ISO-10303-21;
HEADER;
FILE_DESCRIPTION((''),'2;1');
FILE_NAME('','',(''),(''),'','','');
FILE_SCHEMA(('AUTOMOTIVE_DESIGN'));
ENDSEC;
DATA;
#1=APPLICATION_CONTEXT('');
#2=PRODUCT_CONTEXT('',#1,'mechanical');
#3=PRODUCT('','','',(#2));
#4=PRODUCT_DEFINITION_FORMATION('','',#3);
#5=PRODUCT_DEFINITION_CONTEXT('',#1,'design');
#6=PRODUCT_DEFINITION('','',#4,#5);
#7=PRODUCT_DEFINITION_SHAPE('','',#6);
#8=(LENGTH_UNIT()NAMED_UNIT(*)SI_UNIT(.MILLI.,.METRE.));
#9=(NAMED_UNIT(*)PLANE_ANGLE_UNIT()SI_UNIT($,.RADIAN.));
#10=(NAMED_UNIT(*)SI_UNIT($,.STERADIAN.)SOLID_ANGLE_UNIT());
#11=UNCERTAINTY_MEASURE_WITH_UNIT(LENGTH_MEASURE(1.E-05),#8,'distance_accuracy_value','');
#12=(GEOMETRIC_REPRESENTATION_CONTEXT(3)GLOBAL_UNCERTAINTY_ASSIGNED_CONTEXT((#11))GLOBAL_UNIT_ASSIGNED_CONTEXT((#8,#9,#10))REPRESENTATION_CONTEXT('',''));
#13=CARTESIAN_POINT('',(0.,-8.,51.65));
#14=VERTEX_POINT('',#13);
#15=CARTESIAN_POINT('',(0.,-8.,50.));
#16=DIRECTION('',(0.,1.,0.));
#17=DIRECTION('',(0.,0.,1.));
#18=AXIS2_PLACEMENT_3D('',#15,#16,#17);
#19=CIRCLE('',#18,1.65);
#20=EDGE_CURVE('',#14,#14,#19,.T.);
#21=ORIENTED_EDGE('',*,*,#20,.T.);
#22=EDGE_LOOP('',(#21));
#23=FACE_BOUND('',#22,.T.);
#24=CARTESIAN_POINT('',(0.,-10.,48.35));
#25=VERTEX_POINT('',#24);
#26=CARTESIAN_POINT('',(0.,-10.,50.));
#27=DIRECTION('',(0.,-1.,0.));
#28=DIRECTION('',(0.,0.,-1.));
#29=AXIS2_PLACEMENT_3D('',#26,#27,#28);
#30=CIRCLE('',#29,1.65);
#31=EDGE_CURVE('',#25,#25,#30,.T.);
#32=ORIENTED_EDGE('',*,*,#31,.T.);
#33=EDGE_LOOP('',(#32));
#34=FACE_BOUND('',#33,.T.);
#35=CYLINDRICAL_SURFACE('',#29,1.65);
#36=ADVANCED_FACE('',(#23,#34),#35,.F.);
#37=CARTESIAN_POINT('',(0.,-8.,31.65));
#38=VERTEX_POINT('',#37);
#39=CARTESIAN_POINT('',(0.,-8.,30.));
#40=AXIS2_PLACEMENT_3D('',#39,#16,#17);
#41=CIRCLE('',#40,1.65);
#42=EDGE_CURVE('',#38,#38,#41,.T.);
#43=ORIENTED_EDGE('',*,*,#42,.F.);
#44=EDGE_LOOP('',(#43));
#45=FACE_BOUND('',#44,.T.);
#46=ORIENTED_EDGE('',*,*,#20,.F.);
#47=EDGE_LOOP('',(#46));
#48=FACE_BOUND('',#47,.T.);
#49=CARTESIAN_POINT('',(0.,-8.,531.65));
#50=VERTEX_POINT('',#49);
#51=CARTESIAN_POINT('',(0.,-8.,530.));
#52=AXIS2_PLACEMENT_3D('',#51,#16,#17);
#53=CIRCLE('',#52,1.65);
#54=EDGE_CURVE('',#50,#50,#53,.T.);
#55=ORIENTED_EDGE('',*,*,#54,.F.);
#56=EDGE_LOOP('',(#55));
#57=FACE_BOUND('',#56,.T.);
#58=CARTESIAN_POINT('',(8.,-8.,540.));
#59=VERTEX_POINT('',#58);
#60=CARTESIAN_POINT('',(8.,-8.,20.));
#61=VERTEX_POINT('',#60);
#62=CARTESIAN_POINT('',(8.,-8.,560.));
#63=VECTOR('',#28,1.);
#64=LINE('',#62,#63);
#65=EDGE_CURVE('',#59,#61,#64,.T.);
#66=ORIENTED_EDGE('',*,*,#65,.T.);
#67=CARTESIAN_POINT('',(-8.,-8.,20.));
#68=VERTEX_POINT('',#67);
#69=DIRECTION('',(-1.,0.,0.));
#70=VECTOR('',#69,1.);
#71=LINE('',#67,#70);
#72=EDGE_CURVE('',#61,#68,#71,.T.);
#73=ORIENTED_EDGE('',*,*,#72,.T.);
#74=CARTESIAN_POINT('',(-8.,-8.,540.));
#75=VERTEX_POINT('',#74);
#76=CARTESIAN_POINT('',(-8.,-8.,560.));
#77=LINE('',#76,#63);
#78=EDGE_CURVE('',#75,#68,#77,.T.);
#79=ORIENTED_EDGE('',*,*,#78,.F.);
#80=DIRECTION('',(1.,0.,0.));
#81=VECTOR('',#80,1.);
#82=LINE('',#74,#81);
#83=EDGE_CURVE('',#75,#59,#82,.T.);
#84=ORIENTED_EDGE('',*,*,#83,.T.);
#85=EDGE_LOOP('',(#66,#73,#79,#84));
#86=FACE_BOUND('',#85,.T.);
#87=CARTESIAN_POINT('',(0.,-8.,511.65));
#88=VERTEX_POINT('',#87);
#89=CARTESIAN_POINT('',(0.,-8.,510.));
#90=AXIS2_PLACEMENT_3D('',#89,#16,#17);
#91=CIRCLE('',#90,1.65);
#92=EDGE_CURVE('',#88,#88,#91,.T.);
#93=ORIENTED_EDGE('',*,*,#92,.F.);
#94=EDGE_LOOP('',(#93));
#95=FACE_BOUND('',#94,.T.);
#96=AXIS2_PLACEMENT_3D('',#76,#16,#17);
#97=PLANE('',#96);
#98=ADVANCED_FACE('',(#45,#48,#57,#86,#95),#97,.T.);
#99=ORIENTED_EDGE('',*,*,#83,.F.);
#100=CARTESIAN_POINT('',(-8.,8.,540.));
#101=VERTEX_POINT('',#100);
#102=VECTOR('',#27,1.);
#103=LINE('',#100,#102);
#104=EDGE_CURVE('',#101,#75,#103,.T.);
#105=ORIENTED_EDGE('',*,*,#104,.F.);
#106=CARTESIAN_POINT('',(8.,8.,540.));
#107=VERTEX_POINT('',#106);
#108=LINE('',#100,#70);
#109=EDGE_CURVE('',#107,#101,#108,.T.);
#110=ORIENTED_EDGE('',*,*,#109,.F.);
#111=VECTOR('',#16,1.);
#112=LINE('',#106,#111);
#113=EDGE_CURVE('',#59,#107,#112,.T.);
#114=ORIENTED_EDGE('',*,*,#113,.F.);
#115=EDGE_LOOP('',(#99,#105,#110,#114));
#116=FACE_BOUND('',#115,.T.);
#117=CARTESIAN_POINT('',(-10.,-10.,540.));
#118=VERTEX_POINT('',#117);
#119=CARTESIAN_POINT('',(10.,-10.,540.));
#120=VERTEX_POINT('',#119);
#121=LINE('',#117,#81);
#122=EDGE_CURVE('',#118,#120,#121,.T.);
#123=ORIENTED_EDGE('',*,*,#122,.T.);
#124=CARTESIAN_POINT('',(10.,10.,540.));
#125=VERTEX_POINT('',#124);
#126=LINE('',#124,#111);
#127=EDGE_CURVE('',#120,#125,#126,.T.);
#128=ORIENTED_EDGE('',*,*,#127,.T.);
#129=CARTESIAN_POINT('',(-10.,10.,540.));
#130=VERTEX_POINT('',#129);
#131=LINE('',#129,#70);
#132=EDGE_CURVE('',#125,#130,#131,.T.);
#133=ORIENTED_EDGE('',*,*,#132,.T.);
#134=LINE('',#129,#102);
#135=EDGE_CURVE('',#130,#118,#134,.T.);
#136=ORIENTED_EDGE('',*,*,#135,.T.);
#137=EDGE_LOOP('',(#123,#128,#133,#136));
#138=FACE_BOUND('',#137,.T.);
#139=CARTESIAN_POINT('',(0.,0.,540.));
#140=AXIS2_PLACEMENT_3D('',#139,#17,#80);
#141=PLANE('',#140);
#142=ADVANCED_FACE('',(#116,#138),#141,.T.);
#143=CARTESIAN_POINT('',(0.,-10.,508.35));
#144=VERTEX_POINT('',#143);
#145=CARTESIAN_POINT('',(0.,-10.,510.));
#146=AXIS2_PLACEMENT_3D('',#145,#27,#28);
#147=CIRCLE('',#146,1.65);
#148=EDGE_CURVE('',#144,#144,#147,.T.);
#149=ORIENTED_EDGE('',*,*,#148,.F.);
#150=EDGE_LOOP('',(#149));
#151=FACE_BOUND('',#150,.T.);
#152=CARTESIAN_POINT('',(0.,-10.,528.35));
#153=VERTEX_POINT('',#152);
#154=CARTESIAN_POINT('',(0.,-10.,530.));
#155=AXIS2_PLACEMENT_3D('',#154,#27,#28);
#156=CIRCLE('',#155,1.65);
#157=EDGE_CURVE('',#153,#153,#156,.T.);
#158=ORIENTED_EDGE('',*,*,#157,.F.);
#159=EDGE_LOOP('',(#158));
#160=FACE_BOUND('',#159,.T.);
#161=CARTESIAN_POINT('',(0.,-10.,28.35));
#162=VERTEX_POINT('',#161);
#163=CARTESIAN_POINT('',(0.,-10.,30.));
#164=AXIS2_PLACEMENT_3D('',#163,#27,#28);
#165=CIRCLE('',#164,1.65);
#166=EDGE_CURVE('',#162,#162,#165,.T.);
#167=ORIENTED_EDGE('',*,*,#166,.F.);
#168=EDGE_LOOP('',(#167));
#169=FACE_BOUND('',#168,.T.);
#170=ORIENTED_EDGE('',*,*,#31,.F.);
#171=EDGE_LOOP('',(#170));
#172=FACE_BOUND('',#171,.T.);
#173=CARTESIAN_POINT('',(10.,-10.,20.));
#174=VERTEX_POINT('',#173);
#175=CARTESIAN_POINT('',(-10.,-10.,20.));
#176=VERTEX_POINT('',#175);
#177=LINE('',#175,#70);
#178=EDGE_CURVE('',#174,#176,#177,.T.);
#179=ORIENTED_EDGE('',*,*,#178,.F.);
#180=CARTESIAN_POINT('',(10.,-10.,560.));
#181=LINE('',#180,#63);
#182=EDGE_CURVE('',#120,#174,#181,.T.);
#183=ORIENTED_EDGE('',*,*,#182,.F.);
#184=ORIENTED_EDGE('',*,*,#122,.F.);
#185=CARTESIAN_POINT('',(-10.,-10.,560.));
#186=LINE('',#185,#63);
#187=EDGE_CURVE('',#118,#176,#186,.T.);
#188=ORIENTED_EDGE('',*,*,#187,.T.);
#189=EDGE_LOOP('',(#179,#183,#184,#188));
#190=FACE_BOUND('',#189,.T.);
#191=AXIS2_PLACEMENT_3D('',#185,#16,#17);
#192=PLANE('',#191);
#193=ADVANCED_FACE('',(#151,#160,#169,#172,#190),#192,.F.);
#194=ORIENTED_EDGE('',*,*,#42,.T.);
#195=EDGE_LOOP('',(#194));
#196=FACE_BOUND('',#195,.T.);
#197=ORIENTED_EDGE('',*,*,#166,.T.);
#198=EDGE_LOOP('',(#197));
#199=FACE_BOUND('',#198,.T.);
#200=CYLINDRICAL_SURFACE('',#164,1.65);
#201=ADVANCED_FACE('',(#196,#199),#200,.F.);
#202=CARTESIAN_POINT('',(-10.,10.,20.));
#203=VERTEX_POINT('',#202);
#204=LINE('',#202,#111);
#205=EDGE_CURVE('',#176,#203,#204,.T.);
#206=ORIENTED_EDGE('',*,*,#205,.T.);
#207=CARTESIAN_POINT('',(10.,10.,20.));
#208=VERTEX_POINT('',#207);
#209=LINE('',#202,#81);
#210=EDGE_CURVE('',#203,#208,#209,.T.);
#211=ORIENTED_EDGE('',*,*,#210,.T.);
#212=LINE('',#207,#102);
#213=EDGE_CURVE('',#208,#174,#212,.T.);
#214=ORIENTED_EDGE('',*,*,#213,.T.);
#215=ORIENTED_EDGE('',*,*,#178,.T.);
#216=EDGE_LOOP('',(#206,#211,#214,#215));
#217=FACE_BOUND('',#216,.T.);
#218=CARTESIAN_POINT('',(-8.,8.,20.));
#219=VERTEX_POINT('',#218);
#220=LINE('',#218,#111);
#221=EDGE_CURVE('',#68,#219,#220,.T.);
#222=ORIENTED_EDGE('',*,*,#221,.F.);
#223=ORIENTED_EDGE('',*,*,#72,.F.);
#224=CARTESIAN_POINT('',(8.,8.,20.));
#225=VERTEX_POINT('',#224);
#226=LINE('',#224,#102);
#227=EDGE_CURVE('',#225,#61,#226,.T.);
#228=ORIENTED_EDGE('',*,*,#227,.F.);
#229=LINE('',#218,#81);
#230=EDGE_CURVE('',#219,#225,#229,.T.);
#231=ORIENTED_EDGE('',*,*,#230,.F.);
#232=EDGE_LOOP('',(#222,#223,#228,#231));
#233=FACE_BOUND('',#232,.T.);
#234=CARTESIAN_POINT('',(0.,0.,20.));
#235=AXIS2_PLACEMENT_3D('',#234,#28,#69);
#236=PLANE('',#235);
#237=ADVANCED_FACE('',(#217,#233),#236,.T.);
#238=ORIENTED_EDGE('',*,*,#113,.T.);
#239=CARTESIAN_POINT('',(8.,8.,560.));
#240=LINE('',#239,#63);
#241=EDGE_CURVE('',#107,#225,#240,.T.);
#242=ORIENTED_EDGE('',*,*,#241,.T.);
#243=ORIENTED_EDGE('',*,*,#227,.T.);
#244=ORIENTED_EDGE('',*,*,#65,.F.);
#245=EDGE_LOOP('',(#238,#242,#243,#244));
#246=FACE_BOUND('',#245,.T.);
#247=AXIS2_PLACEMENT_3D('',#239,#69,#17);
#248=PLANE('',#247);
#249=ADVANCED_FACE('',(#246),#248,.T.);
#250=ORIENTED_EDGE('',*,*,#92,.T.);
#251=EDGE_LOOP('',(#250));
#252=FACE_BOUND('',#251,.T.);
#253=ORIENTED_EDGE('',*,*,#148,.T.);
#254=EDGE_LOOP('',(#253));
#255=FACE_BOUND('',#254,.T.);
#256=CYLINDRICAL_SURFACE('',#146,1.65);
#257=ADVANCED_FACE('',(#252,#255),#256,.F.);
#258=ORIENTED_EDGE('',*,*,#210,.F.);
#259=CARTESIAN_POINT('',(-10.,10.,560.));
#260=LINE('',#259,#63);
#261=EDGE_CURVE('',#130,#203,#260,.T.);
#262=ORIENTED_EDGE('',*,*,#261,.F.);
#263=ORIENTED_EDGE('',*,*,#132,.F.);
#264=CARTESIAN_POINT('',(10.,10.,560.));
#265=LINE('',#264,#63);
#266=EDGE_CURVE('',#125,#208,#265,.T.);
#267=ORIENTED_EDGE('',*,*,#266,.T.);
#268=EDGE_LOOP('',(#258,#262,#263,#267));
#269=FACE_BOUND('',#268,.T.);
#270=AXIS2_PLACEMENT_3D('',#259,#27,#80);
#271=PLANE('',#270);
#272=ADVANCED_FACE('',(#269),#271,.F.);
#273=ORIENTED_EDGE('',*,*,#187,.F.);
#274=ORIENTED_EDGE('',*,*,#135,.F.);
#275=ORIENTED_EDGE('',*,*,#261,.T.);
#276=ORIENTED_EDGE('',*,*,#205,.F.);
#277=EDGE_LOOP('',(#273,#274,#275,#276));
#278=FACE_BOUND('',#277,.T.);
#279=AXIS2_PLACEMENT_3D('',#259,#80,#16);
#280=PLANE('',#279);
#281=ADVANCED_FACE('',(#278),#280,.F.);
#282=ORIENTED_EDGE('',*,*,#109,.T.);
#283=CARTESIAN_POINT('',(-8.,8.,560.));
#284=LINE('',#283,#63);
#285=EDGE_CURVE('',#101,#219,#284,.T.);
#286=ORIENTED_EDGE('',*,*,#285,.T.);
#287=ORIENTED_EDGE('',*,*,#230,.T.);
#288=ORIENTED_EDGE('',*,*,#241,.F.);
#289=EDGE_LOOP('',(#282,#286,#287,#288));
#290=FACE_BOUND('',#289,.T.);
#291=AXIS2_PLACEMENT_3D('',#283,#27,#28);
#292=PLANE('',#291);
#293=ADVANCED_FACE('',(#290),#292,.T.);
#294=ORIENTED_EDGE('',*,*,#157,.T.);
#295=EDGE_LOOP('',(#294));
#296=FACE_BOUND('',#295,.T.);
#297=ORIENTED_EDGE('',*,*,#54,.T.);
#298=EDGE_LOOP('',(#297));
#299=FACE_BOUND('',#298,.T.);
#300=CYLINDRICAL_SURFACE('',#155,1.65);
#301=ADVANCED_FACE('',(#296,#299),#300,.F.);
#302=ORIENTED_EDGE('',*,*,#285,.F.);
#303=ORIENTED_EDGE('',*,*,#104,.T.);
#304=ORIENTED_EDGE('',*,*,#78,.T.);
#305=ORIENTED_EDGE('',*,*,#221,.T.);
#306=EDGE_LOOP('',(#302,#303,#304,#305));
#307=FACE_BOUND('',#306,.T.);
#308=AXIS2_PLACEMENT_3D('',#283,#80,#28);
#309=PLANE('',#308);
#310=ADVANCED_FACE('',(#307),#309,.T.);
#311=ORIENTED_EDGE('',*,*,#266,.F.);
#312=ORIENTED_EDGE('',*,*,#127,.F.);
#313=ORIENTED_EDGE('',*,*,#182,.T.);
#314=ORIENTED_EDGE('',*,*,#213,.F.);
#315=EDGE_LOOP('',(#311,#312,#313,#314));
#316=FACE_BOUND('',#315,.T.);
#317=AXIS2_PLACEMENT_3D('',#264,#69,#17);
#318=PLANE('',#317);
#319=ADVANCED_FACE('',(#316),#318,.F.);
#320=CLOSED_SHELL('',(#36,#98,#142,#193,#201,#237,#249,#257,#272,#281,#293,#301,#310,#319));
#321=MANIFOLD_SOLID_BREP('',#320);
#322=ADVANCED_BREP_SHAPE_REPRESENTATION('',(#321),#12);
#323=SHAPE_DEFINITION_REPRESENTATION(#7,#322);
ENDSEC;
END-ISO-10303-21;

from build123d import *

# Parameters (mm, degrees)
SKETCH_1_W          = 20
SKETCH_1_H          = 20
SKETCH_1_W_2        = 16
SKETCH_1_H_2        = 16
EXTRUDE_1_DEPTH     = 560
SKETCH_4_R          = 2.2
CUT_EXTRUDE_3_DEPTH = 560
SKETCH_5_W          = 20
SKETCH_5_H          = 20
SKETCH_5_W_2        = 16
SKETCH_5_H_2        = 16
EXTRUDE_2_DEPTH     = 20
SKETCH_6_W          = 20
SKETCH_6_H          = 20
SKETCH_6_W_2        = 16
SKETCH_6_H_2        = 16
EXTRUDE_3_DEPTH     = 20
SKETCH_8_R          = 2.2
CUT_EXTRUDE_4_DEPTH = 20
SKETCH_9_R          = 2.2
CUT_EXTRUDE_5_DEPTH = 20
SKETCH_10_W         = 51.42245882
SKETCH_10_H         = 30.440795882
CUT_EXTRUDE_6_DEPTH = 40
SKETCH_11_W         = 39.362638682
SKETCH_11_H         = 52.74733359
CUT_EXTRUDE_7_DEPTH = 40
SKETCH_12_R         = 1
CUT_EXTRUDE_8_DEPTH = 10
SKETCH_13_R         = 1
CUT_EXTRUDE_9_DEPTH = 10
M4X0_7_1_D          = 3.3
M4X0_7_1_DEPTH      = 11.5
M4X0_7_1_TIP        = 0.991420021


with BuildPart() as part:
    # ｽｹｯﾁ1 → ﾎﾞｽ - 押し出し1 (new body)
    with BuildSketch(Plane.XY):
        Rectangle(SKETCH_1_W, SKETCH_1_H)
        Rectangle(SKETCH_1_W_2, SKETCH_1_H_2, mode=Mode.SUBTRACT)
    extrude(amount=EXTRUDE_1_DEPTH)

    # ｽｹｯﾁ4 → ｶｯﾄ - 押し出し3 (cut)
    with BuildSketch(Plane(origin=(0, 10, 0), x_dir=(1, 0, 0), z_dir=(0, 1, 0))):
        with Locations((0, -550)):
            Circle(SKETCH_4_R)
        with Locations((0, -10)):
            Circle(SKETCH_4_R)
    extrude(amount=-CUT_EXTRUDE_3_DEPTH, mode=Mode.SUBTRACT)

    # ｽｹｯﾁ5 → ﾎﾞｽ - 押し出し2 (add)
    with BuildSketch(Plane(origin=(0, 0, 0), x_dir=(-1, 0, 0), z_dir=(0, 0, -1))):
        Rectangle(SKETCH_5_W, SKETCH_5_H)
        Rectangle(SKETCH_5_W_2, SKETCH_5_H_2, mode=Mode.SUBTRACT)
    extrude(amount=EXTRUDE_2_DEPTH)

    # ｽｹｯﾁ6 → ﾎﾞｽ - 押し出し3 (add)
    with BuildSketch(Plane.XY.offset(560)):
        Rectangle(SKETCH_6_W, SKETCH_6_H)
        Rectangle(SKETCH_6_W_2, SKETCH_6_H_2, mode=Mode.SUBTRACT)
    extrude(amount=EXTRUDE_3_DEPTH)

    # ｽｹｯﾁ8 → ｶｯﾄ - 押し出し4 (cut)
    with BuildSketch(Plane(origin=(10, 0, 0), x_dir=(0, 0, -1), z_dir=(1, 0, 0))):
        with Locations((-570, 0)):
            Circle(SKETCH_8_R)
    extrude(amount=-CUT_EXTRUDE_4_DEPTH, mode=Mode.SUBTRACT)

    # ｽｹｯﾁ9 → ｶｯﾄ - 押し出し5 (cut)
    with BuildSketch(Plane(origin=(10, 0, 0), x_dir=(0, 0, -1), z_dir=(1, 0, 0))):
        with Locations((10, 0)):
            Circle(SKETCH_9_R)
    extrude(amount=-CUT_EXTRUDE_5_DEPTH, mode=Mode.SUBTRACT)

    # ｽｹｯﾁ10 → ｶｯﾄ - 押し出し6 (cut)
    with BuildSketch(Plane(origin=(0, 0, -20), x_dir=(-1, 0, 0), z_dir=(0, 0, -1))):
        Rectangle(SKETCH_10_W, SKETCH_10_H)
    extrude(amount=-CUT_EXTRUDE_6_DEPTH, mode=Mode.SUBTRACT)

    # ｽｹｯﾁ11 → ｶｯﾄ - 押し出し7 (cut)
    with BuildSketch(Plane.XY.offset(580)):
        Rectangle(SKETCH_11_W, SKETCH_11_H)
    extrude(amount=-CUT_EXTRUDE_7_DEPTH, mode=Mode.SUBTRACT)

    # ｽｹｯﾁ12 → ｶｯﾄ - 押し出し8 (cut)
    with BuildSketch(Plane(origin=(0, -10, 0), x_dir=(-1, 0, 0), z_dir=(0, -1, 0))):
        with Locations((0, -530)):
            Circle(SKETCH_12_R)
        with Locations((0, -510)):
            Circle(SKETCH_12_R)
    extrude(amount=-CUT_EXTRUDE_8_DEPTH, mode=Mode.SUBTRACT)

    # ｽｹｯﾁ13 → ｶｯﾄ - 押し出し9 (cut)
    with BuildSketch(Plane(origin=(0, -10, 0), x_dir=(-1, 0, 0), z_dir=(0, -1, 0))):
        with Locations((0, -30)):
            Circle(SKETCH_13_R)
        with Locations((0, -50)):
            Circle(SKETCH_13_R)
    extrude(amount=-CUT_EXTRUDE_9_DEPTH, mode=Mode.SUBTRACT)

    # M4x0.7 ねじ穴1
    with Locations(Plane(origin=(0, -10, 30), x_dir=(0, 0, -1), z_dir=(0, -1, 0))):
        with Locations((0, 0), (-20, 0), (-480, 0), (-500, 0)):
            Hole(M4X0_7_1_D / 2, depth=M4X0_7_1_DEPTH)
            with Locations((0, 0, -(M4X0_7_1_DEPTH + M4X0_7_1_TIP / 2))):  # 118° drill point
                Cone(0, M4X0_7_1_D / 2, M4X0_7_1_TIP, mode=Mode.SUBTRACT)


solid = part.part
